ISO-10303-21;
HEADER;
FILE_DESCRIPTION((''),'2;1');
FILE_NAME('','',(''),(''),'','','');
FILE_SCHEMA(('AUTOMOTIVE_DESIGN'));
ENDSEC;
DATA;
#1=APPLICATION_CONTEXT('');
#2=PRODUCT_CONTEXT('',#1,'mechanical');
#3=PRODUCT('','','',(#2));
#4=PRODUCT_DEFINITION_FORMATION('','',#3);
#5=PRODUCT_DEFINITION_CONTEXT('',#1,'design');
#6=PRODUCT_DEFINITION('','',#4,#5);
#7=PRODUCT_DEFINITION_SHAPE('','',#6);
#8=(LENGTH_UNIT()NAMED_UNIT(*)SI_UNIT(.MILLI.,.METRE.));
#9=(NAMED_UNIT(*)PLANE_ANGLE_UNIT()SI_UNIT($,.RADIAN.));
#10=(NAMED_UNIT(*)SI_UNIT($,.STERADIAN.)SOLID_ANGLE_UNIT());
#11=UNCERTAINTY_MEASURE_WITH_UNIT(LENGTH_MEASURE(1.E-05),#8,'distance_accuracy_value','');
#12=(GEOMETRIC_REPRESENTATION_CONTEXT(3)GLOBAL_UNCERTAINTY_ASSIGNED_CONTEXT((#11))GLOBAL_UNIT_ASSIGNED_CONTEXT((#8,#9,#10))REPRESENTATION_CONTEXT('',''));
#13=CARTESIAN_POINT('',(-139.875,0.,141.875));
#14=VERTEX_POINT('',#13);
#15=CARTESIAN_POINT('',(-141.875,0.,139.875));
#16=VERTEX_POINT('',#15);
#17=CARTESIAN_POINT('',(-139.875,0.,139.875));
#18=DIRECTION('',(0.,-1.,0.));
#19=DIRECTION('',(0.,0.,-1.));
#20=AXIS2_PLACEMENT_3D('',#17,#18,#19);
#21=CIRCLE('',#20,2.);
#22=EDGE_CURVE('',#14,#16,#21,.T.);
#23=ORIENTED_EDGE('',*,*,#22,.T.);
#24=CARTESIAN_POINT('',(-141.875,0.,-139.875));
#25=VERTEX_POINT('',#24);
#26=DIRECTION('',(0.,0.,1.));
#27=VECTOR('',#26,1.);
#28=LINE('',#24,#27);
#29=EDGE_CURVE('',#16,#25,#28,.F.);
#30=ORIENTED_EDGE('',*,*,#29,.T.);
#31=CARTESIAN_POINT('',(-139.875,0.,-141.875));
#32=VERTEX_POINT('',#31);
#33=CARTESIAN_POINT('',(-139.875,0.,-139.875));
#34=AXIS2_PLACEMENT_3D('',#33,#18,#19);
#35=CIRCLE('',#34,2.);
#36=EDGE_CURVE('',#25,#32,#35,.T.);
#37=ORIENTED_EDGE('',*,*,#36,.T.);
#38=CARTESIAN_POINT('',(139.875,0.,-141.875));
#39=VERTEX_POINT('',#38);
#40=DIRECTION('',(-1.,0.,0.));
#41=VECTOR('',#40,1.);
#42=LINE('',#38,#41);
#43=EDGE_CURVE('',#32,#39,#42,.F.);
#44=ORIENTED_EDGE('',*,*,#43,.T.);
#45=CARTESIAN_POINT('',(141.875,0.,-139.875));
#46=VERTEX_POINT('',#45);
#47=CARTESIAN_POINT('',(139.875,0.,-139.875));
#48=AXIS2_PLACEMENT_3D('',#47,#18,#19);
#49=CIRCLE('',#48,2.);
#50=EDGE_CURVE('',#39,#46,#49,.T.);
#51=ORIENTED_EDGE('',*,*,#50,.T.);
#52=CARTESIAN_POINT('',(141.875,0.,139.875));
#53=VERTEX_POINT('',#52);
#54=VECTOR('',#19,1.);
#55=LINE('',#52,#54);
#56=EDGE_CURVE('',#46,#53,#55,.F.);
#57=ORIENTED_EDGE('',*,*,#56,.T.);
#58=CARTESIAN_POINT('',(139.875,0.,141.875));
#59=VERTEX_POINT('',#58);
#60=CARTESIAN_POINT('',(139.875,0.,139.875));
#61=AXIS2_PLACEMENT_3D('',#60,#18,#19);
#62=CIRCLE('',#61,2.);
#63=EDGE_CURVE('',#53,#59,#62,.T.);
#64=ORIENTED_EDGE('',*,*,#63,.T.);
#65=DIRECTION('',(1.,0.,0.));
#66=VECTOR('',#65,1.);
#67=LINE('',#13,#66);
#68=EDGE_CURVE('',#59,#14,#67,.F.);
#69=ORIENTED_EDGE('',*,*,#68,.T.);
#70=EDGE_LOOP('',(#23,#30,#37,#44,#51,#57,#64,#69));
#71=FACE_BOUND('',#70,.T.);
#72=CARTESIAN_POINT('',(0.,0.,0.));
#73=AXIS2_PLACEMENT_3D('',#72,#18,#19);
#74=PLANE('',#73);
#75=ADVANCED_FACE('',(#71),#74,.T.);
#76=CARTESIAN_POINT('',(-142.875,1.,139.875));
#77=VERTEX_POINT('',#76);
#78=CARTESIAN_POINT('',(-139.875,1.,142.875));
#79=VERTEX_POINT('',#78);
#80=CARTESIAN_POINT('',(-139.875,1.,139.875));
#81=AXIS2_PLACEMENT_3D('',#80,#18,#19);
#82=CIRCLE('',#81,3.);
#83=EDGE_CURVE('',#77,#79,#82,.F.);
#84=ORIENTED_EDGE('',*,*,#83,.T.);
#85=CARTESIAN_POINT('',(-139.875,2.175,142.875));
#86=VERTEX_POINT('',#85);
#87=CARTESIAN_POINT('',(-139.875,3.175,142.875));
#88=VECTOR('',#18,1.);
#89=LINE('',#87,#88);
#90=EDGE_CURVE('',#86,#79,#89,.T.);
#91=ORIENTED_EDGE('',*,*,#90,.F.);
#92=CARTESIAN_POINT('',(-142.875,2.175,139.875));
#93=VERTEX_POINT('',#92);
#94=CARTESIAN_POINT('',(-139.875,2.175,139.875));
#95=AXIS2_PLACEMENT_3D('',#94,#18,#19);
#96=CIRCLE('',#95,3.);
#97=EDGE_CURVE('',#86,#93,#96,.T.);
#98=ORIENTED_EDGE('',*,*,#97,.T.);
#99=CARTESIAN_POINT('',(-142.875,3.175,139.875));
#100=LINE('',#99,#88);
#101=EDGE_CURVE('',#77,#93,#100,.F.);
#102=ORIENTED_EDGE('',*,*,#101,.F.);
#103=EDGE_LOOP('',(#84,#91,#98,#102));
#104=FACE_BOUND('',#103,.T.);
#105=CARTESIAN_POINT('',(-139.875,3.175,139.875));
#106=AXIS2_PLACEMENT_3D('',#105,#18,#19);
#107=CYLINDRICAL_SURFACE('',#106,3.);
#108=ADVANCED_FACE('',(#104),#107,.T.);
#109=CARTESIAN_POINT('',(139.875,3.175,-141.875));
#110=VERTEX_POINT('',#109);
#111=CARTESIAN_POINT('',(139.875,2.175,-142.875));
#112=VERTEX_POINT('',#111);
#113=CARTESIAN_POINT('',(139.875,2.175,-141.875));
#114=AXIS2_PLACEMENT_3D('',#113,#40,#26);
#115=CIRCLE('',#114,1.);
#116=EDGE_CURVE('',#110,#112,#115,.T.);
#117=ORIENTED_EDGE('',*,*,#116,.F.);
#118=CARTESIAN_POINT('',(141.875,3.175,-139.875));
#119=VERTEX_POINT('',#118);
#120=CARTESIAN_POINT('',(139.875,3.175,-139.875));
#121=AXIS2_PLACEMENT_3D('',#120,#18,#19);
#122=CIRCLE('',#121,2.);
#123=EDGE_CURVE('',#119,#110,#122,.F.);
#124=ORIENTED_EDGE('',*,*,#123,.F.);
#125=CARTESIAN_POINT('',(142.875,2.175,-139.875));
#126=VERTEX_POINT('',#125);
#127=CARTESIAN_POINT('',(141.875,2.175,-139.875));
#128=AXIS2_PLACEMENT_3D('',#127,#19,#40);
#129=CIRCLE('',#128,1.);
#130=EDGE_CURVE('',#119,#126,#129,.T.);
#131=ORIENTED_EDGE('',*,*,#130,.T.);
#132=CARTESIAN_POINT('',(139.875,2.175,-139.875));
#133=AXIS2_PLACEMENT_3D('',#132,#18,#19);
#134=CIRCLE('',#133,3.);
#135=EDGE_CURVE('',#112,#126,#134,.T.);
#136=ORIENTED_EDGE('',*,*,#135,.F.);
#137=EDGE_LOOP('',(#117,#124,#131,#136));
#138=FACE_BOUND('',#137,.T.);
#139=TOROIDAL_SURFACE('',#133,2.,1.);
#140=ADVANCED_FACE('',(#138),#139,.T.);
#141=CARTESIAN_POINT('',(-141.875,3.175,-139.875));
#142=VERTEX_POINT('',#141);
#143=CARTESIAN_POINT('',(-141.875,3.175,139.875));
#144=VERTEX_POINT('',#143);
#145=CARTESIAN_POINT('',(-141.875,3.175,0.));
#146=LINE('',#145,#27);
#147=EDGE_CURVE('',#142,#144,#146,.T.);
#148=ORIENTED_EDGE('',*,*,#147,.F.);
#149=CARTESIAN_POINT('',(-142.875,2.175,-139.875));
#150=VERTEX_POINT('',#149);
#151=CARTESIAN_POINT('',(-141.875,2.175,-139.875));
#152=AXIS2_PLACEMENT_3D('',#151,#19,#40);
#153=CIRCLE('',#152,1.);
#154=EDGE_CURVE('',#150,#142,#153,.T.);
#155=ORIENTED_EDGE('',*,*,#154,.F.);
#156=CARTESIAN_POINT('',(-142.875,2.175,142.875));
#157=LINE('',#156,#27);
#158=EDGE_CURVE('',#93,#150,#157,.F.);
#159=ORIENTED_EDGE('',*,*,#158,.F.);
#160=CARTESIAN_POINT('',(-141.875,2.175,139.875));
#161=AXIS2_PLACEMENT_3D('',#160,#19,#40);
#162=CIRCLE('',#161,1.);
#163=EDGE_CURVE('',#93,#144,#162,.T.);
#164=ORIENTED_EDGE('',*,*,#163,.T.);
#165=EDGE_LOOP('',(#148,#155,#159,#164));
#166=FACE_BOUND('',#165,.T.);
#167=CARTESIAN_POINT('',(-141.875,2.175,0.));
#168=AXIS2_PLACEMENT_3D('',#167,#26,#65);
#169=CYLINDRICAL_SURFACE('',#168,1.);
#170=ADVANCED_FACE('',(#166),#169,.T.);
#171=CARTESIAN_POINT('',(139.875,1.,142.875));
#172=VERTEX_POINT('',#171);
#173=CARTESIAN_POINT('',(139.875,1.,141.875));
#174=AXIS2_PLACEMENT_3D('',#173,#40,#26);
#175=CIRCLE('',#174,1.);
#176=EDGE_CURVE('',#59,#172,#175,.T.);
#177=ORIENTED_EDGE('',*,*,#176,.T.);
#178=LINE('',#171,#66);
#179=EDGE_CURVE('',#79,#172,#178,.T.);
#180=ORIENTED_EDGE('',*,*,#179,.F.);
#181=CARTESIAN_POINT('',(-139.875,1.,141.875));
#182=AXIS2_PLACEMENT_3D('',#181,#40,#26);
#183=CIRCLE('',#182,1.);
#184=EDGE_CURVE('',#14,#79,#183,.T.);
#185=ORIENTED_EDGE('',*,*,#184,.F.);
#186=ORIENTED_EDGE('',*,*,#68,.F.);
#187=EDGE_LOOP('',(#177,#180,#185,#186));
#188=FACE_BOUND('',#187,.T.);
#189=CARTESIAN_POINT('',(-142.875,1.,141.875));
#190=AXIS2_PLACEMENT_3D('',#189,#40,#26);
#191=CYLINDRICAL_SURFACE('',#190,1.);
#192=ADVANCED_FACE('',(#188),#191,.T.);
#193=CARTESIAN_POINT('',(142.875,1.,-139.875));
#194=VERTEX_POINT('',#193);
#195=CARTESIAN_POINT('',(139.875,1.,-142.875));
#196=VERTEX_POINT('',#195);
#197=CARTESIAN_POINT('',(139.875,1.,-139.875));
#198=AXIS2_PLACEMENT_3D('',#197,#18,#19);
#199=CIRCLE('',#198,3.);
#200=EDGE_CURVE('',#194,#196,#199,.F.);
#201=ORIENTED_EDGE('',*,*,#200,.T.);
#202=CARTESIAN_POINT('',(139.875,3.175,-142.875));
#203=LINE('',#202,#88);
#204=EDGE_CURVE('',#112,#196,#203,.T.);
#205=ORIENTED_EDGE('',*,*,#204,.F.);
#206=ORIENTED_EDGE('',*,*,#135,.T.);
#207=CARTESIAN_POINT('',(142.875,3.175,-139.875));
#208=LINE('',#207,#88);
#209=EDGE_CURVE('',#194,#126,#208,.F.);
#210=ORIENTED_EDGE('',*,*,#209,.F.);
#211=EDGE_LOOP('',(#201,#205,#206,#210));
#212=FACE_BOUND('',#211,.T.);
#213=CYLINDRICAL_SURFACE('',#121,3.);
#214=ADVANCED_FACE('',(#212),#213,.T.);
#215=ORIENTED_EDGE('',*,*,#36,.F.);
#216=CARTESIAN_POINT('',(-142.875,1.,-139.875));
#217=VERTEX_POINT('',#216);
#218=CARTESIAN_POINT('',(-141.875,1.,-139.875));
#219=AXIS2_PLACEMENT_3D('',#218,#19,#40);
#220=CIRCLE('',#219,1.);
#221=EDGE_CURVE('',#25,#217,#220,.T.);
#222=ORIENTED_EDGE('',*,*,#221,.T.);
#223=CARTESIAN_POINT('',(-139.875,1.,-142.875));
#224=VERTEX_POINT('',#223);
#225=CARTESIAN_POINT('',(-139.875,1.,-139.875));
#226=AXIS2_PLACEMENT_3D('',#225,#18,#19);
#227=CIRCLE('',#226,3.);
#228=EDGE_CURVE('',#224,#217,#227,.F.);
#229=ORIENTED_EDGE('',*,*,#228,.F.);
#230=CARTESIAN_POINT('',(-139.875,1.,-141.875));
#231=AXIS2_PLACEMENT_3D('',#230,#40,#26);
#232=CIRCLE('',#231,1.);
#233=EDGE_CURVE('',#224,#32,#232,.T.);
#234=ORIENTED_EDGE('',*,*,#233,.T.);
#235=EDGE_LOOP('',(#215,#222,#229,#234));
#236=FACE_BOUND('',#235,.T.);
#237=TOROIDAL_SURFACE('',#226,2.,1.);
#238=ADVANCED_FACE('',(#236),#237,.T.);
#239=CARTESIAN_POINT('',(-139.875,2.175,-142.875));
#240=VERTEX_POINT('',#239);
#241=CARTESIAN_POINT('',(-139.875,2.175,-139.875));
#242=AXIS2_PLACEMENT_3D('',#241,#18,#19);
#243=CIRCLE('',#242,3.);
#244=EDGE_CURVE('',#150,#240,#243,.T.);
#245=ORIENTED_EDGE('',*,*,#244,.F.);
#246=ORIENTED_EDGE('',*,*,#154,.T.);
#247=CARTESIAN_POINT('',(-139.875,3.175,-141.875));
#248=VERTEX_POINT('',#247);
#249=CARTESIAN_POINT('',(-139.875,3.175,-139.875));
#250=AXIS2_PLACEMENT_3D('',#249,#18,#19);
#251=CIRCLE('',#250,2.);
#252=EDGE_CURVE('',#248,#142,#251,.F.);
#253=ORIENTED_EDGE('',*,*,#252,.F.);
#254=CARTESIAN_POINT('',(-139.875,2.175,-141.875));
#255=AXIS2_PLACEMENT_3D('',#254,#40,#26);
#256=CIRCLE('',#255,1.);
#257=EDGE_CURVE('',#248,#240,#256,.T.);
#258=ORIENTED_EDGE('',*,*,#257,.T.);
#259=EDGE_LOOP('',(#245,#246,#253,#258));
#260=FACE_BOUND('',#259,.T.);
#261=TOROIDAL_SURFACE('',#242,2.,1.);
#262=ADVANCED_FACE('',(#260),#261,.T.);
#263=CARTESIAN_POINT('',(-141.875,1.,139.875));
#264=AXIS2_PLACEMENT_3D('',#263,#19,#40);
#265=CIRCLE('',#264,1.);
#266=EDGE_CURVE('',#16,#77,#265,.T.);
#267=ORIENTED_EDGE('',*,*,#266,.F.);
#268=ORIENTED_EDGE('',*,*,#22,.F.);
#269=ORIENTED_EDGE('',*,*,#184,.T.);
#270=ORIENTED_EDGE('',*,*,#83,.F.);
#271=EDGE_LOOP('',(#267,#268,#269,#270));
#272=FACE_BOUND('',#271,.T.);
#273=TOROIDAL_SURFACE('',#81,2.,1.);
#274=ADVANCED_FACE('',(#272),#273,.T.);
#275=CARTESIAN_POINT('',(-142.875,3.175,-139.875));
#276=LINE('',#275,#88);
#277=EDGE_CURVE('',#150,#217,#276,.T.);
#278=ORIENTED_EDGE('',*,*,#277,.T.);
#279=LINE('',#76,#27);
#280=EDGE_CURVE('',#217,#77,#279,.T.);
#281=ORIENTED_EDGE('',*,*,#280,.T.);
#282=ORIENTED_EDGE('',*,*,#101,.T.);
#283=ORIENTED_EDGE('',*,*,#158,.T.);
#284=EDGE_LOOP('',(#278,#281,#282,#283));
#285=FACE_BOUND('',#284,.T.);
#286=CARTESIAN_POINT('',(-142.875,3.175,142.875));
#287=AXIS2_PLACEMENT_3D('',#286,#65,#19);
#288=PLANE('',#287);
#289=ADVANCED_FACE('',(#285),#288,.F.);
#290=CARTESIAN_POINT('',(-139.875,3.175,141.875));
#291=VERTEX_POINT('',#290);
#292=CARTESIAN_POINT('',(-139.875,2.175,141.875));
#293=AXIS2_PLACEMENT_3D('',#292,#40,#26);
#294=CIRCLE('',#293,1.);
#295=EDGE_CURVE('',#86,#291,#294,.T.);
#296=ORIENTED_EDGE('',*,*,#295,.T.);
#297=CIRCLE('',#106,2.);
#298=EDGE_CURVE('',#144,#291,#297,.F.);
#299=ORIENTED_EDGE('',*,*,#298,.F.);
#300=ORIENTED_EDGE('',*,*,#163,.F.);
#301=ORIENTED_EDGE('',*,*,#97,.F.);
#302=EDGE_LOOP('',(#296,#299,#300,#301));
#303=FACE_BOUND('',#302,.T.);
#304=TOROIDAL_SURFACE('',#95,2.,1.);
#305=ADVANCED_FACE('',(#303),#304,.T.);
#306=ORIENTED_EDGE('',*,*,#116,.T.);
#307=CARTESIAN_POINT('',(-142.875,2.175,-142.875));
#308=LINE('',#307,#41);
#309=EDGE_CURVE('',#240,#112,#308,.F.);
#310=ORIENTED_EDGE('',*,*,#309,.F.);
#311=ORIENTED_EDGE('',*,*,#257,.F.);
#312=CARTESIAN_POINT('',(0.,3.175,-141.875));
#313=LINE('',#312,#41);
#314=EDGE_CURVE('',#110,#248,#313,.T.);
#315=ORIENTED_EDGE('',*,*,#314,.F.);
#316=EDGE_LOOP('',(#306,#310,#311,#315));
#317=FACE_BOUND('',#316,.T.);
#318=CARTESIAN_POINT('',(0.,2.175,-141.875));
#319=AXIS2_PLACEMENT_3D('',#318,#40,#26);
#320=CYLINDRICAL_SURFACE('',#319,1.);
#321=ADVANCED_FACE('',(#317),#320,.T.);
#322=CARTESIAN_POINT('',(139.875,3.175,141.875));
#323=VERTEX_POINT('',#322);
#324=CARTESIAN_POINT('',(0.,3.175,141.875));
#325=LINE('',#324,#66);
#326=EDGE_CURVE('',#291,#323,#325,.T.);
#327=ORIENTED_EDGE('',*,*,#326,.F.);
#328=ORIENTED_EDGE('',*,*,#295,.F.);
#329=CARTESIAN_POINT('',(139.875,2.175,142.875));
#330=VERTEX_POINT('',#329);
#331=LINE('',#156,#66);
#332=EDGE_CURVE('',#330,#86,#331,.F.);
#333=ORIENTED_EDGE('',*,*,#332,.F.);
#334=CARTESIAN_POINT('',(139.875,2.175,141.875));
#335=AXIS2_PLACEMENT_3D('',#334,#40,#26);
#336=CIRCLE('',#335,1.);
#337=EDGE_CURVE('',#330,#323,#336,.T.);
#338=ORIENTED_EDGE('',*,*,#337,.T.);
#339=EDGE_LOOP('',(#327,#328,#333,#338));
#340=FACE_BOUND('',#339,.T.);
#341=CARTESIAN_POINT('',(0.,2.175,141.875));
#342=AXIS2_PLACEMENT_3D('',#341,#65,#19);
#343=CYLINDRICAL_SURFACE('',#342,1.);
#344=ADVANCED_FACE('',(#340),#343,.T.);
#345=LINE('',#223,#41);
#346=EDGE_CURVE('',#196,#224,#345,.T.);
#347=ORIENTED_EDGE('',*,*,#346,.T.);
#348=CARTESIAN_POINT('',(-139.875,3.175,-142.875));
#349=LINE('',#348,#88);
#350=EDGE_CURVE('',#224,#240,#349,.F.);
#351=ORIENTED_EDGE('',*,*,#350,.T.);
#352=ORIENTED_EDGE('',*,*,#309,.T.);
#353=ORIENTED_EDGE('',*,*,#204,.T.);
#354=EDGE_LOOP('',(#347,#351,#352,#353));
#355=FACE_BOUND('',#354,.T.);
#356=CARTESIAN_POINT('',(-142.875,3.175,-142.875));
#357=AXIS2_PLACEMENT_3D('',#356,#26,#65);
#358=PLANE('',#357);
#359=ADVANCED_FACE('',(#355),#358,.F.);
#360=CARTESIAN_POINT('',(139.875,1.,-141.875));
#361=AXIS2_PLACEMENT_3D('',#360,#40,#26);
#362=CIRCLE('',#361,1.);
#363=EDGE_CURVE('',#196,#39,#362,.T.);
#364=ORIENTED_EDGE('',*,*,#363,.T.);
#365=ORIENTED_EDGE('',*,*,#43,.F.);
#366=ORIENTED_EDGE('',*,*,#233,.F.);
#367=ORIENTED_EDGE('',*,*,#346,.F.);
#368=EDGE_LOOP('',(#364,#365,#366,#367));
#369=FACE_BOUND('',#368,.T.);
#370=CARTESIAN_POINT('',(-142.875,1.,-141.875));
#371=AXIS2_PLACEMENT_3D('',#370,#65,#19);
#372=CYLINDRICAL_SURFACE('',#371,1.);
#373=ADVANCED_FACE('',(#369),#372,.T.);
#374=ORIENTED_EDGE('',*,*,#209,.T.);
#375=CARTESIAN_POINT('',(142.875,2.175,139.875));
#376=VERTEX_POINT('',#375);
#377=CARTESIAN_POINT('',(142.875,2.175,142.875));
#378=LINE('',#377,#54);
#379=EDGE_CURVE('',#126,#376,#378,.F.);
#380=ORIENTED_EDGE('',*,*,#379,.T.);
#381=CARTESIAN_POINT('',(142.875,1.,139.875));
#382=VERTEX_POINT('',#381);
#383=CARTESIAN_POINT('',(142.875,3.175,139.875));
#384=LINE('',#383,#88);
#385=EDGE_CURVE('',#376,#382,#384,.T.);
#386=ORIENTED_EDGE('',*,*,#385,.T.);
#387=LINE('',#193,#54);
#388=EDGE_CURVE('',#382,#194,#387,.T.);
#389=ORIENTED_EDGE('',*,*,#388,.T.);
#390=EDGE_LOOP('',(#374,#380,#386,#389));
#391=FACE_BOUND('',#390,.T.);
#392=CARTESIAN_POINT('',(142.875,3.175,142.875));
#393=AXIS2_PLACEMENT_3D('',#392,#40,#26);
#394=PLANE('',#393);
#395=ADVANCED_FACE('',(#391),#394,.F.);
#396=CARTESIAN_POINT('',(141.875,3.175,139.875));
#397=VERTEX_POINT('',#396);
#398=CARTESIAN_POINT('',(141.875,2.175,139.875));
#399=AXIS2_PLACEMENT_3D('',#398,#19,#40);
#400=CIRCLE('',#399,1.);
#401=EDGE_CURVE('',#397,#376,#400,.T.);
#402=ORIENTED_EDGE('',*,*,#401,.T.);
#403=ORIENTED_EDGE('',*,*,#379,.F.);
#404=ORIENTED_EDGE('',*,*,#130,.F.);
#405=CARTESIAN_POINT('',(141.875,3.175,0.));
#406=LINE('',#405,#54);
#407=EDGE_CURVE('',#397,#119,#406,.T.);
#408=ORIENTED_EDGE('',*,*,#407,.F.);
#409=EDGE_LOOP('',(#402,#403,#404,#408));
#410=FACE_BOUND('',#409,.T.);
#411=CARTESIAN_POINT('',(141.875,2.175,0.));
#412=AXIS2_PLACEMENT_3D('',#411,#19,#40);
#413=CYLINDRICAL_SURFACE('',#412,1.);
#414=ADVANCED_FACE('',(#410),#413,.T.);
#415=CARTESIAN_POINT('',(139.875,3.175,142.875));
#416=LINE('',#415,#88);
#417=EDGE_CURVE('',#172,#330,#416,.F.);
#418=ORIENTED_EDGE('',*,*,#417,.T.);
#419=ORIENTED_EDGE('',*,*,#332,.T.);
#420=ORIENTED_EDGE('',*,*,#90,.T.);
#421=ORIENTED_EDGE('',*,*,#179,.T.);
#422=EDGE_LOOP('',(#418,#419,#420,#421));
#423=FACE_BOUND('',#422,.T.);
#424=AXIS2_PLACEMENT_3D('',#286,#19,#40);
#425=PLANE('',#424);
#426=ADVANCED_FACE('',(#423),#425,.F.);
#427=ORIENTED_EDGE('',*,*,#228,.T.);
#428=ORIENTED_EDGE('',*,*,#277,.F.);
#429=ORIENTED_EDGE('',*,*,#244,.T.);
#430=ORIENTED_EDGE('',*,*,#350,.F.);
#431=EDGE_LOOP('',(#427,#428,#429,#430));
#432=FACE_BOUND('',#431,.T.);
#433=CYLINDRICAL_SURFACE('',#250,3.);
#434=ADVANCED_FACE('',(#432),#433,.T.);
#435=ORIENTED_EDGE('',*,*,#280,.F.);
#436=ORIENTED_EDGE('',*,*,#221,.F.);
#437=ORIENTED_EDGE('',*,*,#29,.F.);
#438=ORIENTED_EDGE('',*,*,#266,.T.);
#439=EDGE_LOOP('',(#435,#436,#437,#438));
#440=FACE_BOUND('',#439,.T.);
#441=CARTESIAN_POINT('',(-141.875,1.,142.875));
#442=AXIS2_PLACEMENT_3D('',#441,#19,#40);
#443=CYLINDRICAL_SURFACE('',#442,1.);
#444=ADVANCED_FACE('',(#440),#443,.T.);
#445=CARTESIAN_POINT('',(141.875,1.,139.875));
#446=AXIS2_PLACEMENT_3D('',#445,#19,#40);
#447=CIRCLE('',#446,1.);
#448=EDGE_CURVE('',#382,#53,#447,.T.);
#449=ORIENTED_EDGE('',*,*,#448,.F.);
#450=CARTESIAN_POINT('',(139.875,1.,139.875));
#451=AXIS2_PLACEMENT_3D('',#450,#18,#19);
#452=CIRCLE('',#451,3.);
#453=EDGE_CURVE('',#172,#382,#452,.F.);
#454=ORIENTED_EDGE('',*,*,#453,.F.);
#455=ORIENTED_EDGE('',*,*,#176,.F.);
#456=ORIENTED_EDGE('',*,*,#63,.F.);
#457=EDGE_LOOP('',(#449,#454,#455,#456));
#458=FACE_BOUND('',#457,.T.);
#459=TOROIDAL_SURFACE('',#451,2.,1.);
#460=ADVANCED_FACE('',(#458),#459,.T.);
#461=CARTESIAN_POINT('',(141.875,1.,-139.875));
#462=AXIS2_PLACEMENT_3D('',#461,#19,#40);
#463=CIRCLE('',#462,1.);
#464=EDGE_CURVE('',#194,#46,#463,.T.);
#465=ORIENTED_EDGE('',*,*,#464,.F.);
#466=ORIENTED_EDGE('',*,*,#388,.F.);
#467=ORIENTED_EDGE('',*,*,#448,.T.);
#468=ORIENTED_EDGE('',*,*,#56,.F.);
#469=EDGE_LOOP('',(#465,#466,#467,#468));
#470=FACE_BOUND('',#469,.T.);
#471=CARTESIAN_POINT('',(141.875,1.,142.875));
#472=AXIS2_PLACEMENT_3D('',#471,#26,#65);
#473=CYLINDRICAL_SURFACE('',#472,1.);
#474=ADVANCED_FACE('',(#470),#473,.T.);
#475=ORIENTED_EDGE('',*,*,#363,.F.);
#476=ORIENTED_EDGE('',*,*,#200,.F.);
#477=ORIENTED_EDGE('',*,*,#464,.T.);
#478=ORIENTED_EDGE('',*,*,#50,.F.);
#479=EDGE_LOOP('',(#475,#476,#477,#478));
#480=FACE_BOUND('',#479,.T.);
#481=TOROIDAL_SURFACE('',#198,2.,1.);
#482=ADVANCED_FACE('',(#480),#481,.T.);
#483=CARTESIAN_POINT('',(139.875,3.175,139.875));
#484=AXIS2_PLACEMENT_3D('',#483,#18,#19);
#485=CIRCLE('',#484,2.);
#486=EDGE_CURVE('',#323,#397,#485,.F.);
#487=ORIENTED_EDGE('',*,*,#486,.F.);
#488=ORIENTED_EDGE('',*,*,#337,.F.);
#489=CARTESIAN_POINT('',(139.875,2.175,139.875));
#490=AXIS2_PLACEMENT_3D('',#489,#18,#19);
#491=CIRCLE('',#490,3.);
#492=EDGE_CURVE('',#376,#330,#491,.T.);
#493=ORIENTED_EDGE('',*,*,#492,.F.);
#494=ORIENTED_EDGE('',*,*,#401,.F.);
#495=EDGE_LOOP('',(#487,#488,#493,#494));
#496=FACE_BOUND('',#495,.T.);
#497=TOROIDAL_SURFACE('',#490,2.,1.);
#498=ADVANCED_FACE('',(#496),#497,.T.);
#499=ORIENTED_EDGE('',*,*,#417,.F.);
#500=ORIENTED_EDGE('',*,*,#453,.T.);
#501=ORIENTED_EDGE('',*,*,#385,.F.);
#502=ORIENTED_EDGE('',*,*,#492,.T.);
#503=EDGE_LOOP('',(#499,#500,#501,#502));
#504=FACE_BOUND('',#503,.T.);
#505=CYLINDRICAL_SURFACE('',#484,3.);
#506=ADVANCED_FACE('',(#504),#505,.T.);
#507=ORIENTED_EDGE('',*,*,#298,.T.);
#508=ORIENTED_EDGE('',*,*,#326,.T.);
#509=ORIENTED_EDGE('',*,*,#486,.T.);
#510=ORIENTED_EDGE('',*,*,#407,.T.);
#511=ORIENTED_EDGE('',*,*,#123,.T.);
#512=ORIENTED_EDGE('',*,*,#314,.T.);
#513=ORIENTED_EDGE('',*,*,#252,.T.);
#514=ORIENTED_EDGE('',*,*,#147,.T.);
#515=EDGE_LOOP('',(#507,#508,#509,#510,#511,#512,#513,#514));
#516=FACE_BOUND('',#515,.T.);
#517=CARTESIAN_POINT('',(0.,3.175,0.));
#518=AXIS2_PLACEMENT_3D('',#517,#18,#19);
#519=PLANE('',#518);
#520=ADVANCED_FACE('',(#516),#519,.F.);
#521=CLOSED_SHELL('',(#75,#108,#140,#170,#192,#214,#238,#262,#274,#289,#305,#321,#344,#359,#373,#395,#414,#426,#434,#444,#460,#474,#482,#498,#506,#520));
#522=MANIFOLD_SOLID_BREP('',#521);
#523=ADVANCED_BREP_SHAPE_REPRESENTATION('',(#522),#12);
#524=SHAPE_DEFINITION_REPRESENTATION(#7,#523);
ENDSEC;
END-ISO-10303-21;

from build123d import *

# Parameters (mm, degrees)
SKETCH2_W           = 285.75
SKETCH2_H           = 285.75
BOSS_EXTRUDE1_DEPTH = 3.175
FILLET1_R           = 3
FILLET2_R           = 1
FILLET3_R           = 1


with BuildPart() as part:
    # Sketch2 → Boss-Extrude1 (new body)
    with BuildSketch(Plane(origin=(0, 0, 0), x_dir=(1, 0, 0), z_dir=(0, 1, 0))):
        Rectangle(SKETCH2_W, SKETCH2_H)
    extrude(amount=BOSS_EXTRUDE1_DEPTH)

    # Fillet1
    fillet1_edges = [part.edges().sort_by_distance(p)[0] for p in [
        (142.875, 1.5875, 142.875),
        (-142.875, 1.5875, 142.875),
        (-142.875, 1.5875, -142.875),
        (142.875, 1.5875, -142.875),
    ]]
    fillet(fillet1_edges, radius=FILLET1_R)

    # Fillet2
    fillet2_edges = [part.edges().sort_by_distance(p)[0] for p in [
        (0, 3.175, -142.875),
        (142.875, 3.175, 0),
        (-142.875, 3.175, 0),
        (0, 3.175, 142.875),
        (-141.996320344, 3.175, -141.996320344),
        (-141.996320344, 3.175, 141.996320344),
        (141.996320344, 3.175, 141.996320344),
        (141.996320344, 3.175, -141.996320344),
    ]]
    fillet(fillet2_edges, radius=FILLET2_R)

    # Fillet3
    fillet3_edges = [part.edges().sort_by_distance(p)[0] for p in [
        (0, 0, -142.875),
        (142.875, 0, 0),
        (0, 0, 142.875),
        (-142.875, 0, 0),
        (-141.996320344, 0, -141.996320344),
        (-141.996320344, 0, 141.996320344),
        (141.996320344, 0, 141.996320344),
        (141.996320344, 0, -141.996320344),
    ]]
    fillet(fillet3_edges, radius=FILLET3_R)


solid = part.part
